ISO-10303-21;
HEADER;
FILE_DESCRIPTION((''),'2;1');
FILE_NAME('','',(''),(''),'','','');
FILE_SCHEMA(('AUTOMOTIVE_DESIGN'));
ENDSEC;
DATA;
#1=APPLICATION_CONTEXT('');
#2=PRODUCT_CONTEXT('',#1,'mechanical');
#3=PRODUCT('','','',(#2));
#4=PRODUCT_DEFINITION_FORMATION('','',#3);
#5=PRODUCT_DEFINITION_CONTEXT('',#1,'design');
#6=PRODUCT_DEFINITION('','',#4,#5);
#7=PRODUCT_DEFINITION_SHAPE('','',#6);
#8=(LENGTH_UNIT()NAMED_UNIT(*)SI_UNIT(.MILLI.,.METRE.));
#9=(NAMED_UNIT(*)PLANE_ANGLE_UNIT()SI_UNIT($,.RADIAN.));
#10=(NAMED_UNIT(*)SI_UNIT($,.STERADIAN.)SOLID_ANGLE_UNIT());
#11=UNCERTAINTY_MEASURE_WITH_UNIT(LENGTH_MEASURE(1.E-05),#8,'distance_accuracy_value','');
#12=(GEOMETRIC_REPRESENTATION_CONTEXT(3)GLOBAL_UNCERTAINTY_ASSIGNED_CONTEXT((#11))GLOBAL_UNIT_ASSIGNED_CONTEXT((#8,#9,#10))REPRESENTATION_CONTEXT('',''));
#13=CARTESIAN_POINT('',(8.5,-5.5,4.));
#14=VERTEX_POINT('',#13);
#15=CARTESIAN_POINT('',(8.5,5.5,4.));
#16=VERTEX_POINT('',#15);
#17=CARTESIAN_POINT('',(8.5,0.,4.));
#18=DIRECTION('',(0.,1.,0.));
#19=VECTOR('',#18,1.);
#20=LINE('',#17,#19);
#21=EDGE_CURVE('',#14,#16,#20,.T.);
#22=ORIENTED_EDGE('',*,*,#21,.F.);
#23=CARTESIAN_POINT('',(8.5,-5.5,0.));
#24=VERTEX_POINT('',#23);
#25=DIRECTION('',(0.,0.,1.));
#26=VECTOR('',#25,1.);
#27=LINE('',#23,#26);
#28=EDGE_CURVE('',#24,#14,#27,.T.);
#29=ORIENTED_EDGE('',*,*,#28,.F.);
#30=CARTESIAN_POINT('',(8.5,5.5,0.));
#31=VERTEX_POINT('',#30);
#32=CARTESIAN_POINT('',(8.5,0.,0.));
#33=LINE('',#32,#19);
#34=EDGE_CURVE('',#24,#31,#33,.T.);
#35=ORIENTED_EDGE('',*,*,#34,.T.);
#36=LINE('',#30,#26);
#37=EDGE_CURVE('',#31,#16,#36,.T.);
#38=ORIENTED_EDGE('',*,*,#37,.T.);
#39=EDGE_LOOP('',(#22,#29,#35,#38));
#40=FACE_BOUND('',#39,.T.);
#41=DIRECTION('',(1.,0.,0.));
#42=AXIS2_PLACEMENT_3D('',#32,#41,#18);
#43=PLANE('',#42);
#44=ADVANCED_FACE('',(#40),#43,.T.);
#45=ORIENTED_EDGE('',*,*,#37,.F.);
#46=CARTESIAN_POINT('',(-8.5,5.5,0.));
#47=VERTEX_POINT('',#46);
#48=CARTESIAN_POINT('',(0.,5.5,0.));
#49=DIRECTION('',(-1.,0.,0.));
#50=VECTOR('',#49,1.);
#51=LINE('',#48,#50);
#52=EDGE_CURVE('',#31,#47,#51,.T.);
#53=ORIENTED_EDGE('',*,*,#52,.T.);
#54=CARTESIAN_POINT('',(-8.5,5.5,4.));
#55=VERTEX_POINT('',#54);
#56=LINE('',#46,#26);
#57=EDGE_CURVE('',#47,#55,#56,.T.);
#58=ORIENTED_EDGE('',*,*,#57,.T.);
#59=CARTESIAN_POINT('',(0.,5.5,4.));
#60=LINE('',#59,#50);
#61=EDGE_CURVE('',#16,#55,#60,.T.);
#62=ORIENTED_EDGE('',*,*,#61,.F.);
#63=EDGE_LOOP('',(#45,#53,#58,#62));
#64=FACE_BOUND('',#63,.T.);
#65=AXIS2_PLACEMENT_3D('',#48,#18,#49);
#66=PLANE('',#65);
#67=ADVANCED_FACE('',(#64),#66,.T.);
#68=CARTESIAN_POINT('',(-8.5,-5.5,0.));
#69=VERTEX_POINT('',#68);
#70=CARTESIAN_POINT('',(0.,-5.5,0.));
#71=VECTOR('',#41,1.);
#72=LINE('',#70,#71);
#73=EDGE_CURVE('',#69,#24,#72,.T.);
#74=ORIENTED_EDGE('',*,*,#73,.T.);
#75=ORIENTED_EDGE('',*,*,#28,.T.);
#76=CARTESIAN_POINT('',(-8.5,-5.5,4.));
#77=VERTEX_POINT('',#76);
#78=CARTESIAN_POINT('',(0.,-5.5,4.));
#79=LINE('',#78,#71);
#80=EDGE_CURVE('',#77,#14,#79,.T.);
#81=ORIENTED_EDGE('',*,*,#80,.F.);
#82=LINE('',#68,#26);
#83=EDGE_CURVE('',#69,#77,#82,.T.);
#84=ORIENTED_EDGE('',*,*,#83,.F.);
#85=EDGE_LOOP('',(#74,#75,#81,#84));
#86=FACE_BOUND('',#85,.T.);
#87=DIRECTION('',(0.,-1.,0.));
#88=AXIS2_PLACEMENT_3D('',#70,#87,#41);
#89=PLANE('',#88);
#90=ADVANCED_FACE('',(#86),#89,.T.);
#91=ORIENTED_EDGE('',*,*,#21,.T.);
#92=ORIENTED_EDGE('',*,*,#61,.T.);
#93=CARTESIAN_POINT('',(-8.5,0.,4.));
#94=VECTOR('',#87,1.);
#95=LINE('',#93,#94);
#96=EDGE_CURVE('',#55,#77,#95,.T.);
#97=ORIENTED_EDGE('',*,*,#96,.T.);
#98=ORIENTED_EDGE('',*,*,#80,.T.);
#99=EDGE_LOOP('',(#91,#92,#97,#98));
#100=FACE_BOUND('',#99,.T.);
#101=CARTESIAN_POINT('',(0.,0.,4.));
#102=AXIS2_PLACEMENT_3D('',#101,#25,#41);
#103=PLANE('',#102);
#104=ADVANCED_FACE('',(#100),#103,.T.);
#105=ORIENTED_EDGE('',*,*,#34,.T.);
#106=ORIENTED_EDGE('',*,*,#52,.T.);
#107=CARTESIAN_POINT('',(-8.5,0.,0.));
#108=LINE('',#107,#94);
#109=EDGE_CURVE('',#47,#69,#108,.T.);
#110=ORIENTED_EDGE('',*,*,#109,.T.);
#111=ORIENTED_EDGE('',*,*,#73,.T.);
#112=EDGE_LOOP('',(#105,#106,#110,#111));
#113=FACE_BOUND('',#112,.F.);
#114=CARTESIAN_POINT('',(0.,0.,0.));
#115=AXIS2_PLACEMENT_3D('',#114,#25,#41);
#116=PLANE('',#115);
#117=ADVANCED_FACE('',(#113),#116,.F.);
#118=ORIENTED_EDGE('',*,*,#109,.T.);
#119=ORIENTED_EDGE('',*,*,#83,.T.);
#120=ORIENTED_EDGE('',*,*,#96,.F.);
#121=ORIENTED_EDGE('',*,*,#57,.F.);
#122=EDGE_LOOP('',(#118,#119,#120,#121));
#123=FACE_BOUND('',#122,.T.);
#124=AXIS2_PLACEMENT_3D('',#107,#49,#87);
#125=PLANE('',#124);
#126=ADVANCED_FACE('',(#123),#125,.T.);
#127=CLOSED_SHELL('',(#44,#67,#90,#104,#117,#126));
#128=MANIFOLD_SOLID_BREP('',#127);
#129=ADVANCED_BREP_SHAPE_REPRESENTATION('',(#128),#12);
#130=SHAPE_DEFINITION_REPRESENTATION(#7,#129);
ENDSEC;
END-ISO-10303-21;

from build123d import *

# Parameters (mm, degrees)
F0_W = 17
F0_H = 11


with BuildPart() as f2:
    # F2: sweep along a path in F1
    with BuildLine(Plane.XZ) as f2_path:
        Line((0, 0), (0, 4))
    # F0 (on Top) → F2 (sweep)
    with BuildSketch(Plane.XY):
        Rectangle(F0_W, F0_H)
    sweep(path=f2_path.line)


solid = f2.part
